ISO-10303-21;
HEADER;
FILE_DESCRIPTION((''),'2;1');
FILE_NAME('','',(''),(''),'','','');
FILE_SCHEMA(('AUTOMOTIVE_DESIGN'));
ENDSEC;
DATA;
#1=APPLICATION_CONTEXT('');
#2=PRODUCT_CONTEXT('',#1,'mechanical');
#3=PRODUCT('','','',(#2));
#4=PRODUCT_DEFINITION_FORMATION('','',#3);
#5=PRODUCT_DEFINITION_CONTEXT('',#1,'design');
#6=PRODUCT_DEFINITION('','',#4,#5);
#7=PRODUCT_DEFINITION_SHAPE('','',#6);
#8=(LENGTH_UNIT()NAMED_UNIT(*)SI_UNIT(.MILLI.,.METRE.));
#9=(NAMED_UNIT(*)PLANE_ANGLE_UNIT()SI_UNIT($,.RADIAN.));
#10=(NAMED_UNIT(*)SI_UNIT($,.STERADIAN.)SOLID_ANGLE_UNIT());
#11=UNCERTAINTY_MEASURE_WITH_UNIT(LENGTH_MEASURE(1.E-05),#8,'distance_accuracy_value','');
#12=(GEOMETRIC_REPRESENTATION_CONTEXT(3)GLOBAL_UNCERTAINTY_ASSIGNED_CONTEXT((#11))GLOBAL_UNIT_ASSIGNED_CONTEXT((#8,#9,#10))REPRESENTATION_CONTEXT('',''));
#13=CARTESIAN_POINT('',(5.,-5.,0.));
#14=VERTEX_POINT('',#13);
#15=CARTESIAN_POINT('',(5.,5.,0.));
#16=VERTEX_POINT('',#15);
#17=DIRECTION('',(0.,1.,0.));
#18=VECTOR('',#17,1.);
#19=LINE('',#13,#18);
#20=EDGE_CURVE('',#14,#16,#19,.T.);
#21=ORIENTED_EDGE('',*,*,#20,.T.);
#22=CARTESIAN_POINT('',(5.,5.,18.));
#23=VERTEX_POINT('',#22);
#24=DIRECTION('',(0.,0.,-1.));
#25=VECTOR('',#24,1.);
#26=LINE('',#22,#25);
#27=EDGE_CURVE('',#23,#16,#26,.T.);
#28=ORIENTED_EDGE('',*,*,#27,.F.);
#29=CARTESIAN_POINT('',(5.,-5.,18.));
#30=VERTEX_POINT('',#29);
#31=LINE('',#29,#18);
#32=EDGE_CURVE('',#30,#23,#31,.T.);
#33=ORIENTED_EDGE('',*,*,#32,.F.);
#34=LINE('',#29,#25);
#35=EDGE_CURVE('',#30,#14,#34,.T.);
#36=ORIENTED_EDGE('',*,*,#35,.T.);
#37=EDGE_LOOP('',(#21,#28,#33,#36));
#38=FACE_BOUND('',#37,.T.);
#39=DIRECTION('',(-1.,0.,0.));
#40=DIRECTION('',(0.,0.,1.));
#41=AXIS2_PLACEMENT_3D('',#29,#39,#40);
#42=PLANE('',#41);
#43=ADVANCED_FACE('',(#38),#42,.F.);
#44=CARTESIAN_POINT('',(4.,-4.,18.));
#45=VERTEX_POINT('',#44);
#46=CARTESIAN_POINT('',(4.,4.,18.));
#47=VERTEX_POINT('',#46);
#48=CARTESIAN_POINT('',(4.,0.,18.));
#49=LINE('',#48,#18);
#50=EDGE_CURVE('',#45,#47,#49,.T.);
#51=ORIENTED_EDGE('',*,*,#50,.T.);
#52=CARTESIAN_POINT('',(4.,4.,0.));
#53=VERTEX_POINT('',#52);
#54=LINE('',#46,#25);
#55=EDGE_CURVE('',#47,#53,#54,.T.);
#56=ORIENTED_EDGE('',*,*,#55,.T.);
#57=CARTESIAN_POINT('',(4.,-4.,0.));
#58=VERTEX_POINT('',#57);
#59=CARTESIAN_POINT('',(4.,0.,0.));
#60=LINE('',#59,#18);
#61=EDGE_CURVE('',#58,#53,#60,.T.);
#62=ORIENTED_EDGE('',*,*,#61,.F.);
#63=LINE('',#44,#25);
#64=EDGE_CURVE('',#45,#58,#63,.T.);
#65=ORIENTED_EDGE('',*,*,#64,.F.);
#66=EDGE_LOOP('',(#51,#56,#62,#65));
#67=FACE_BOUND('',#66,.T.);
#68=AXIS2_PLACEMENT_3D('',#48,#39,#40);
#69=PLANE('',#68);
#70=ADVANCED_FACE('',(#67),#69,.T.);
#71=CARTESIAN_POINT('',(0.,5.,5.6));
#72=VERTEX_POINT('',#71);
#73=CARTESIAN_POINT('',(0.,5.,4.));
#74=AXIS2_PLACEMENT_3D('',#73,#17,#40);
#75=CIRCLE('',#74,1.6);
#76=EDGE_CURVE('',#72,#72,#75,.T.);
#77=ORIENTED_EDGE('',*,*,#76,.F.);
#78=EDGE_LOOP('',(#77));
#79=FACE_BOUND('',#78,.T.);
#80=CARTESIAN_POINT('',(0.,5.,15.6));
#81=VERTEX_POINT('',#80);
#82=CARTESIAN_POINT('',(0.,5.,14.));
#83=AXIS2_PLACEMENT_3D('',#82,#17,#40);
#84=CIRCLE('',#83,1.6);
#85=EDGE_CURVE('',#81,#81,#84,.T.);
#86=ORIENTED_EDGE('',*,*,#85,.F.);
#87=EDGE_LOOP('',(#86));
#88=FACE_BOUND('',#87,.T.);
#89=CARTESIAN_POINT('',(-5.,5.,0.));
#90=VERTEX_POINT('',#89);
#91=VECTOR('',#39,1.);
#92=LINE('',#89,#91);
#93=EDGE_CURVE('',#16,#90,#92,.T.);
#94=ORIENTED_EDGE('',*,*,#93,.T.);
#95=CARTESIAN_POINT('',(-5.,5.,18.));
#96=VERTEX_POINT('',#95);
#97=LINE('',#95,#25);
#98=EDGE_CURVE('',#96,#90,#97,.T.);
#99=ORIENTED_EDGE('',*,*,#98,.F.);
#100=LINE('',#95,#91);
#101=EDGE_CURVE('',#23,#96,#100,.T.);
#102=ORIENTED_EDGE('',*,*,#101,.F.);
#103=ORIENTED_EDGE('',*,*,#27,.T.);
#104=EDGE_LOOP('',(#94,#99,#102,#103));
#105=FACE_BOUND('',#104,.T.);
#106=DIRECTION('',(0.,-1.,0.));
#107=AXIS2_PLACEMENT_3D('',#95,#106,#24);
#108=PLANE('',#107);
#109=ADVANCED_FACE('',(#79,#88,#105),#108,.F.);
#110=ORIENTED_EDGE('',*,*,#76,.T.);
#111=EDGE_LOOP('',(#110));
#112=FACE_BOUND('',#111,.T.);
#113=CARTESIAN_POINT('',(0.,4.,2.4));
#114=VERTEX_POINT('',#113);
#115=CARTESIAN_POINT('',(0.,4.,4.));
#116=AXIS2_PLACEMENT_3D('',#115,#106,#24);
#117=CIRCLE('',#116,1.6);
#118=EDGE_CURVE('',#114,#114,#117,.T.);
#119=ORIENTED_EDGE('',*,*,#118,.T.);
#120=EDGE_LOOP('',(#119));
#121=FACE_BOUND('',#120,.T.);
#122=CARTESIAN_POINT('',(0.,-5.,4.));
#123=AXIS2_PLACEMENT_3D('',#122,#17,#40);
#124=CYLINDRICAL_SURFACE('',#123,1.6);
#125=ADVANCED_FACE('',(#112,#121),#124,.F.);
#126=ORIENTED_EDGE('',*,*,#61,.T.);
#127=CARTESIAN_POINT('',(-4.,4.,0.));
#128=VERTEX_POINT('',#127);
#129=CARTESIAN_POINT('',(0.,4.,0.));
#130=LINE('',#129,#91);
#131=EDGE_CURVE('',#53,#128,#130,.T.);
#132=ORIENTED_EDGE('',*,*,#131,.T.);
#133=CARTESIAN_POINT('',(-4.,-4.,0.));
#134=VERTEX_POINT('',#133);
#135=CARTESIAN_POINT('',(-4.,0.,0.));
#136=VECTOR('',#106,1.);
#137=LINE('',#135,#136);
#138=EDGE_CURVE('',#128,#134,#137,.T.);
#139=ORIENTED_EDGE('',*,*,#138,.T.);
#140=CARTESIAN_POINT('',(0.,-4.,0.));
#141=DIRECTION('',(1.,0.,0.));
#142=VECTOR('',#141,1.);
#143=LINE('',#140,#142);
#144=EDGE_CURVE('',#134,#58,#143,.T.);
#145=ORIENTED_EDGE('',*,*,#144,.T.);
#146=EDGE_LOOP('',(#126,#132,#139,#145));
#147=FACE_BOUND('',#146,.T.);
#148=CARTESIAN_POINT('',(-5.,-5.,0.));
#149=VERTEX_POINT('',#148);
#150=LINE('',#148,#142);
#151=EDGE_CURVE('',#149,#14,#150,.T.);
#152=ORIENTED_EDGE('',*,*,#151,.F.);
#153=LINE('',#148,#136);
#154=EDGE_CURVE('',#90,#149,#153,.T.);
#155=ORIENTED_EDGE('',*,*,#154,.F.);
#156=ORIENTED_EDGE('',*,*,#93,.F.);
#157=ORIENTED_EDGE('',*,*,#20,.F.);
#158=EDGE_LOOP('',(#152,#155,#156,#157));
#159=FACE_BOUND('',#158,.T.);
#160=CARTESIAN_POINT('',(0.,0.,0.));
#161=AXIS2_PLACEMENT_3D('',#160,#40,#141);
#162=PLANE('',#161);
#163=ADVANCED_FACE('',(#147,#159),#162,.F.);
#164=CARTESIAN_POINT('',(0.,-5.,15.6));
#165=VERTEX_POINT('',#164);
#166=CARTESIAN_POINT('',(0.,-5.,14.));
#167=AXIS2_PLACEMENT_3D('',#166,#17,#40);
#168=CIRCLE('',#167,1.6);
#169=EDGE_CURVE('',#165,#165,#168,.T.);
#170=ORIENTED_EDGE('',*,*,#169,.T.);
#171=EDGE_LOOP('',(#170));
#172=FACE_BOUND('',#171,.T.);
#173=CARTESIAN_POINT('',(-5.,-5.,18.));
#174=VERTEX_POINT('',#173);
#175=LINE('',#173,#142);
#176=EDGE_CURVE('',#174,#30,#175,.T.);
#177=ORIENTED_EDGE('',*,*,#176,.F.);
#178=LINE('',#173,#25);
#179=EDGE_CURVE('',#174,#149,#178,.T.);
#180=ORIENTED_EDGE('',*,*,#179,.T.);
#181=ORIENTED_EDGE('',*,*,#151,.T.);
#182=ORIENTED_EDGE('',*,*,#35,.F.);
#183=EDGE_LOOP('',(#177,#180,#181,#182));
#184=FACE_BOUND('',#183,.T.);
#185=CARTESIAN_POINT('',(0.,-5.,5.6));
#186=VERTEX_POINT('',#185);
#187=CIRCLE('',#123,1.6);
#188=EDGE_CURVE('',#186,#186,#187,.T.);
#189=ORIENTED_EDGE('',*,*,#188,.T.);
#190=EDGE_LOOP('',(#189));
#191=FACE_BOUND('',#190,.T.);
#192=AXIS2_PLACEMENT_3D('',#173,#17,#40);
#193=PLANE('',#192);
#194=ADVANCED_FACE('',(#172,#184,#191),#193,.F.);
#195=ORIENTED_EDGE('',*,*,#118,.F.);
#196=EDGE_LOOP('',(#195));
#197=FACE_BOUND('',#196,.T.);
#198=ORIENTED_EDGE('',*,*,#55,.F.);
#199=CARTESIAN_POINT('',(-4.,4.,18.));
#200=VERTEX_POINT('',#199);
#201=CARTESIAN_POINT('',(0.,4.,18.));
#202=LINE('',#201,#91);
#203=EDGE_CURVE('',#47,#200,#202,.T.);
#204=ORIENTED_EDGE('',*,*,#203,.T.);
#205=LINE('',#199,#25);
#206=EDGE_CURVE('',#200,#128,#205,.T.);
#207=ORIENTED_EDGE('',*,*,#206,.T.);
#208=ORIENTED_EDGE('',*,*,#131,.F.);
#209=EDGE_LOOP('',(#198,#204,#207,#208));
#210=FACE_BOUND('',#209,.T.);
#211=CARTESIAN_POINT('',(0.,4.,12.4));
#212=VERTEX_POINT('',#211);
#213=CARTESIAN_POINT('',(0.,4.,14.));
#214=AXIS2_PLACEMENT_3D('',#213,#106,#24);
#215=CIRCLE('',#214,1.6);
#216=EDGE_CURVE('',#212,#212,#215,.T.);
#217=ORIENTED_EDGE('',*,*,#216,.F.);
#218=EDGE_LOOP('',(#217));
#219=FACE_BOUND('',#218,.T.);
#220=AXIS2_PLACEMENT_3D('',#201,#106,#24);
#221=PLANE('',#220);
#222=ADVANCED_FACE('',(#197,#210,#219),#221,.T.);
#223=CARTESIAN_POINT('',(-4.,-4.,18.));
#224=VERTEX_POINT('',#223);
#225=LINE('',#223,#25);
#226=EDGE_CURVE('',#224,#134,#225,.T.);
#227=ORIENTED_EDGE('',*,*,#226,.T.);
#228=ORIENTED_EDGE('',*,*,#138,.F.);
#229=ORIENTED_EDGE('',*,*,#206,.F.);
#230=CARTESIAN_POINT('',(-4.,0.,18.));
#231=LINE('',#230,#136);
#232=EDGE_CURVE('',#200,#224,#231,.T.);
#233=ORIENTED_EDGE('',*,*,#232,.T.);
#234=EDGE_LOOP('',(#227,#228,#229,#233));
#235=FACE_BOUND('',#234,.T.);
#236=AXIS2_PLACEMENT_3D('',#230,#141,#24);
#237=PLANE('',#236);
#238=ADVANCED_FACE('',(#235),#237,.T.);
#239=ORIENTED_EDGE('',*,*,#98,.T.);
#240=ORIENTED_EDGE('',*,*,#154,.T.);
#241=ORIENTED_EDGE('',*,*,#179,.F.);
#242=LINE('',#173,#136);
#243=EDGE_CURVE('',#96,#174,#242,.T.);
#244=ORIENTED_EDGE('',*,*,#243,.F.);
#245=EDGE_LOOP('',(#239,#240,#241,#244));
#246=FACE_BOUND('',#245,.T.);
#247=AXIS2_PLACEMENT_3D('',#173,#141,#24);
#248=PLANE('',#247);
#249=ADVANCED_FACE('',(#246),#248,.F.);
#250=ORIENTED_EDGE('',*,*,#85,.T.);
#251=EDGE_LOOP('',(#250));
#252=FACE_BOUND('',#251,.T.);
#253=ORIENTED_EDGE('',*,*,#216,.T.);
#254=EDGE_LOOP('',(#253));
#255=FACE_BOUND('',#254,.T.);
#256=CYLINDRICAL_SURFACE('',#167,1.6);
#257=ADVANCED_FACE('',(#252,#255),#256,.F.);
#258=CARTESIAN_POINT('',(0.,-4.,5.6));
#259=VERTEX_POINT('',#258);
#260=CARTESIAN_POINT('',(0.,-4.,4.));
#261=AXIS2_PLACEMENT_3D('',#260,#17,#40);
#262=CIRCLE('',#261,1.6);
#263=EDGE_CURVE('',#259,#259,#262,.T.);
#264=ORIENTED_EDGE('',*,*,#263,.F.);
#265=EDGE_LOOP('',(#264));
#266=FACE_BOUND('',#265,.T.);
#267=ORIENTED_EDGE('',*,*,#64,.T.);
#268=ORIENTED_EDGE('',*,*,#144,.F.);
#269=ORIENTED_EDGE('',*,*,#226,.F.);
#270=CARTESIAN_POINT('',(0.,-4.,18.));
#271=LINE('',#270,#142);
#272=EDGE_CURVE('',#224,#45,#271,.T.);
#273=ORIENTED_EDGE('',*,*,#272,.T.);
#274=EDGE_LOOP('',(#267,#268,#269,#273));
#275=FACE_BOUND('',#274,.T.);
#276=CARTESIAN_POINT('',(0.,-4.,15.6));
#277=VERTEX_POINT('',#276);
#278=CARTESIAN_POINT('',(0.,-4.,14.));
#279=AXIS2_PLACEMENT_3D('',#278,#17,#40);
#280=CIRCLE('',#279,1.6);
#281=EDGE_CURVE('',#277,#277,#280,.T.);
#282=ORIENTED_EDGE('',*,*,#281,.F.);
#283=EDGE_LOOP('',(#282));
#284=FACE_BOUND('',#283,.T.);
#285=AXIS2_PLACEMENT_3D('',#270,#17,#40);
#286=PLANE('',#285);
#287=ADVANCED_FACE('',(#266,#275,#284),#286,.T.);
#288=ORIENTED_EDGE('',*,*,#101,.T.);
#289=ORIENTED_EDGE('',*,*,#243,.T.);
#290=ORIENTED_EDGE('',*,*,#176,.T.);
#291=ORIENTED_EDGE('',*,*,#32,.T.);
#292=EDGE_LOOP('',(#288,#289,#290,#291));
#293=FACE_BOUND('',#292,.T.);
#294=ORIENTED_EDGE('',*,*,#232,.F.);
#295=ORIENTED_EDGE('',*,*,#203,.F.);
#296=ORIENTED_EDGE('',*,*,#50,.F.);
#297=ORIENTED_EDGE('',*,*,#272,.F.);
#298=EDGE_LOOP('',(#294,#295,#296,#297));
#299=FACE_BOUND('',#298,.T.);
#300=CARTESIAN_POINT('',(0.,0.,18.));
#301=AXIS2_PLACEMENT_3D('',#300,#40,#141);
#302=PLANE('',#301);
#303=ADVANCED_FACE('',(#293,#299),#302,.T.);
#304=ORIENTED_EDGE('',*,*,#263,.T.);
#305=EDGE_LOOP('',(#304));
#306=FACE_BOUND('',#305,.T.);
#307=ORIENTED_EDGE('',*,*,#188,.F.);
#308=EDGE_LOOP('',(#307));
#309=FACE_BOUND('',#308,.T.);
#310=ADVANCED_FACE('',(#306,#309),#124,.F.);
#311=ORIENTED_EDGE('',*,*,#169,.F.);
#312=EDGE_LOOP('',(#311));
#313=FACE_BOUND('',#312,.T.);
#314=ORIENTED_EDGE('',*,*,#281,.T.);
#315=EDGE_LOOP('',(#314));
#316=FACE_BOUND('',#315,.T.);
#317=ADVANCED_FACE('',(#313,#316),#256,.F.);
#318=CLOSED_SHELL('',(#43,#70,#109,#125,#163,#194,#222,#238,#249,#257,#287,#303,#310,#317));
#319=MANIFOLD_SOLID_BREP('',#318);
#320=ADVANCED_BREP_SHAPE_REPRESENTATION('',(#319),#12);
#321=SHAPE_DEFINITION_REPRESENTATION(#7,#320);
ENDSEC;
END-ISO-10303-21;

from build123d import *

# Parameters (mm, degrees)
SKETCH_282_W          = 10
SKETCH_282_H          = 10
SKETCH_282_W_2        = 8
SKETCH_282_H_2        = 8
EXTRUDE_339_DEPTH     = 18
SKETCH_411_R          = 1.6
CUT_EXTRUDE_764_DEPTH = 22.1896201


with BuildPart() as part:
    # Sketch 282 → Extrude 339 (new body)
    with BuildSketch(Plane.XY):
        Rectangle(SKETCH_282_W, SKETCH_282_H)
        Rectangle(SKETCH_282_W_2, SKETCH_282_H_2, mode=Mode.SUBTRACT)
    extrude(amount=EXTRUDE_339_DEPTH)

    # Sketch 411 → Cut-Extrude 764 (cut, through all)
    with BuildSketch(Plane(origin=(0, 5, 0), x_dir=(1, 0, 0), z_dir=(0, 1, 0))):
        with Locations(Location((0, -4, 0), (0, 0, 270))):
            Circle(SKETCH_411_R)
        with Locations(Location((0, -14, 0), (0, 0, 270))):
            Circle(SKETCH_411_R)
    extrude(amount=-CUT_EXTRUDE_764_DEPTH, mode=Mode.SUBTRACT)


solid = part.part
